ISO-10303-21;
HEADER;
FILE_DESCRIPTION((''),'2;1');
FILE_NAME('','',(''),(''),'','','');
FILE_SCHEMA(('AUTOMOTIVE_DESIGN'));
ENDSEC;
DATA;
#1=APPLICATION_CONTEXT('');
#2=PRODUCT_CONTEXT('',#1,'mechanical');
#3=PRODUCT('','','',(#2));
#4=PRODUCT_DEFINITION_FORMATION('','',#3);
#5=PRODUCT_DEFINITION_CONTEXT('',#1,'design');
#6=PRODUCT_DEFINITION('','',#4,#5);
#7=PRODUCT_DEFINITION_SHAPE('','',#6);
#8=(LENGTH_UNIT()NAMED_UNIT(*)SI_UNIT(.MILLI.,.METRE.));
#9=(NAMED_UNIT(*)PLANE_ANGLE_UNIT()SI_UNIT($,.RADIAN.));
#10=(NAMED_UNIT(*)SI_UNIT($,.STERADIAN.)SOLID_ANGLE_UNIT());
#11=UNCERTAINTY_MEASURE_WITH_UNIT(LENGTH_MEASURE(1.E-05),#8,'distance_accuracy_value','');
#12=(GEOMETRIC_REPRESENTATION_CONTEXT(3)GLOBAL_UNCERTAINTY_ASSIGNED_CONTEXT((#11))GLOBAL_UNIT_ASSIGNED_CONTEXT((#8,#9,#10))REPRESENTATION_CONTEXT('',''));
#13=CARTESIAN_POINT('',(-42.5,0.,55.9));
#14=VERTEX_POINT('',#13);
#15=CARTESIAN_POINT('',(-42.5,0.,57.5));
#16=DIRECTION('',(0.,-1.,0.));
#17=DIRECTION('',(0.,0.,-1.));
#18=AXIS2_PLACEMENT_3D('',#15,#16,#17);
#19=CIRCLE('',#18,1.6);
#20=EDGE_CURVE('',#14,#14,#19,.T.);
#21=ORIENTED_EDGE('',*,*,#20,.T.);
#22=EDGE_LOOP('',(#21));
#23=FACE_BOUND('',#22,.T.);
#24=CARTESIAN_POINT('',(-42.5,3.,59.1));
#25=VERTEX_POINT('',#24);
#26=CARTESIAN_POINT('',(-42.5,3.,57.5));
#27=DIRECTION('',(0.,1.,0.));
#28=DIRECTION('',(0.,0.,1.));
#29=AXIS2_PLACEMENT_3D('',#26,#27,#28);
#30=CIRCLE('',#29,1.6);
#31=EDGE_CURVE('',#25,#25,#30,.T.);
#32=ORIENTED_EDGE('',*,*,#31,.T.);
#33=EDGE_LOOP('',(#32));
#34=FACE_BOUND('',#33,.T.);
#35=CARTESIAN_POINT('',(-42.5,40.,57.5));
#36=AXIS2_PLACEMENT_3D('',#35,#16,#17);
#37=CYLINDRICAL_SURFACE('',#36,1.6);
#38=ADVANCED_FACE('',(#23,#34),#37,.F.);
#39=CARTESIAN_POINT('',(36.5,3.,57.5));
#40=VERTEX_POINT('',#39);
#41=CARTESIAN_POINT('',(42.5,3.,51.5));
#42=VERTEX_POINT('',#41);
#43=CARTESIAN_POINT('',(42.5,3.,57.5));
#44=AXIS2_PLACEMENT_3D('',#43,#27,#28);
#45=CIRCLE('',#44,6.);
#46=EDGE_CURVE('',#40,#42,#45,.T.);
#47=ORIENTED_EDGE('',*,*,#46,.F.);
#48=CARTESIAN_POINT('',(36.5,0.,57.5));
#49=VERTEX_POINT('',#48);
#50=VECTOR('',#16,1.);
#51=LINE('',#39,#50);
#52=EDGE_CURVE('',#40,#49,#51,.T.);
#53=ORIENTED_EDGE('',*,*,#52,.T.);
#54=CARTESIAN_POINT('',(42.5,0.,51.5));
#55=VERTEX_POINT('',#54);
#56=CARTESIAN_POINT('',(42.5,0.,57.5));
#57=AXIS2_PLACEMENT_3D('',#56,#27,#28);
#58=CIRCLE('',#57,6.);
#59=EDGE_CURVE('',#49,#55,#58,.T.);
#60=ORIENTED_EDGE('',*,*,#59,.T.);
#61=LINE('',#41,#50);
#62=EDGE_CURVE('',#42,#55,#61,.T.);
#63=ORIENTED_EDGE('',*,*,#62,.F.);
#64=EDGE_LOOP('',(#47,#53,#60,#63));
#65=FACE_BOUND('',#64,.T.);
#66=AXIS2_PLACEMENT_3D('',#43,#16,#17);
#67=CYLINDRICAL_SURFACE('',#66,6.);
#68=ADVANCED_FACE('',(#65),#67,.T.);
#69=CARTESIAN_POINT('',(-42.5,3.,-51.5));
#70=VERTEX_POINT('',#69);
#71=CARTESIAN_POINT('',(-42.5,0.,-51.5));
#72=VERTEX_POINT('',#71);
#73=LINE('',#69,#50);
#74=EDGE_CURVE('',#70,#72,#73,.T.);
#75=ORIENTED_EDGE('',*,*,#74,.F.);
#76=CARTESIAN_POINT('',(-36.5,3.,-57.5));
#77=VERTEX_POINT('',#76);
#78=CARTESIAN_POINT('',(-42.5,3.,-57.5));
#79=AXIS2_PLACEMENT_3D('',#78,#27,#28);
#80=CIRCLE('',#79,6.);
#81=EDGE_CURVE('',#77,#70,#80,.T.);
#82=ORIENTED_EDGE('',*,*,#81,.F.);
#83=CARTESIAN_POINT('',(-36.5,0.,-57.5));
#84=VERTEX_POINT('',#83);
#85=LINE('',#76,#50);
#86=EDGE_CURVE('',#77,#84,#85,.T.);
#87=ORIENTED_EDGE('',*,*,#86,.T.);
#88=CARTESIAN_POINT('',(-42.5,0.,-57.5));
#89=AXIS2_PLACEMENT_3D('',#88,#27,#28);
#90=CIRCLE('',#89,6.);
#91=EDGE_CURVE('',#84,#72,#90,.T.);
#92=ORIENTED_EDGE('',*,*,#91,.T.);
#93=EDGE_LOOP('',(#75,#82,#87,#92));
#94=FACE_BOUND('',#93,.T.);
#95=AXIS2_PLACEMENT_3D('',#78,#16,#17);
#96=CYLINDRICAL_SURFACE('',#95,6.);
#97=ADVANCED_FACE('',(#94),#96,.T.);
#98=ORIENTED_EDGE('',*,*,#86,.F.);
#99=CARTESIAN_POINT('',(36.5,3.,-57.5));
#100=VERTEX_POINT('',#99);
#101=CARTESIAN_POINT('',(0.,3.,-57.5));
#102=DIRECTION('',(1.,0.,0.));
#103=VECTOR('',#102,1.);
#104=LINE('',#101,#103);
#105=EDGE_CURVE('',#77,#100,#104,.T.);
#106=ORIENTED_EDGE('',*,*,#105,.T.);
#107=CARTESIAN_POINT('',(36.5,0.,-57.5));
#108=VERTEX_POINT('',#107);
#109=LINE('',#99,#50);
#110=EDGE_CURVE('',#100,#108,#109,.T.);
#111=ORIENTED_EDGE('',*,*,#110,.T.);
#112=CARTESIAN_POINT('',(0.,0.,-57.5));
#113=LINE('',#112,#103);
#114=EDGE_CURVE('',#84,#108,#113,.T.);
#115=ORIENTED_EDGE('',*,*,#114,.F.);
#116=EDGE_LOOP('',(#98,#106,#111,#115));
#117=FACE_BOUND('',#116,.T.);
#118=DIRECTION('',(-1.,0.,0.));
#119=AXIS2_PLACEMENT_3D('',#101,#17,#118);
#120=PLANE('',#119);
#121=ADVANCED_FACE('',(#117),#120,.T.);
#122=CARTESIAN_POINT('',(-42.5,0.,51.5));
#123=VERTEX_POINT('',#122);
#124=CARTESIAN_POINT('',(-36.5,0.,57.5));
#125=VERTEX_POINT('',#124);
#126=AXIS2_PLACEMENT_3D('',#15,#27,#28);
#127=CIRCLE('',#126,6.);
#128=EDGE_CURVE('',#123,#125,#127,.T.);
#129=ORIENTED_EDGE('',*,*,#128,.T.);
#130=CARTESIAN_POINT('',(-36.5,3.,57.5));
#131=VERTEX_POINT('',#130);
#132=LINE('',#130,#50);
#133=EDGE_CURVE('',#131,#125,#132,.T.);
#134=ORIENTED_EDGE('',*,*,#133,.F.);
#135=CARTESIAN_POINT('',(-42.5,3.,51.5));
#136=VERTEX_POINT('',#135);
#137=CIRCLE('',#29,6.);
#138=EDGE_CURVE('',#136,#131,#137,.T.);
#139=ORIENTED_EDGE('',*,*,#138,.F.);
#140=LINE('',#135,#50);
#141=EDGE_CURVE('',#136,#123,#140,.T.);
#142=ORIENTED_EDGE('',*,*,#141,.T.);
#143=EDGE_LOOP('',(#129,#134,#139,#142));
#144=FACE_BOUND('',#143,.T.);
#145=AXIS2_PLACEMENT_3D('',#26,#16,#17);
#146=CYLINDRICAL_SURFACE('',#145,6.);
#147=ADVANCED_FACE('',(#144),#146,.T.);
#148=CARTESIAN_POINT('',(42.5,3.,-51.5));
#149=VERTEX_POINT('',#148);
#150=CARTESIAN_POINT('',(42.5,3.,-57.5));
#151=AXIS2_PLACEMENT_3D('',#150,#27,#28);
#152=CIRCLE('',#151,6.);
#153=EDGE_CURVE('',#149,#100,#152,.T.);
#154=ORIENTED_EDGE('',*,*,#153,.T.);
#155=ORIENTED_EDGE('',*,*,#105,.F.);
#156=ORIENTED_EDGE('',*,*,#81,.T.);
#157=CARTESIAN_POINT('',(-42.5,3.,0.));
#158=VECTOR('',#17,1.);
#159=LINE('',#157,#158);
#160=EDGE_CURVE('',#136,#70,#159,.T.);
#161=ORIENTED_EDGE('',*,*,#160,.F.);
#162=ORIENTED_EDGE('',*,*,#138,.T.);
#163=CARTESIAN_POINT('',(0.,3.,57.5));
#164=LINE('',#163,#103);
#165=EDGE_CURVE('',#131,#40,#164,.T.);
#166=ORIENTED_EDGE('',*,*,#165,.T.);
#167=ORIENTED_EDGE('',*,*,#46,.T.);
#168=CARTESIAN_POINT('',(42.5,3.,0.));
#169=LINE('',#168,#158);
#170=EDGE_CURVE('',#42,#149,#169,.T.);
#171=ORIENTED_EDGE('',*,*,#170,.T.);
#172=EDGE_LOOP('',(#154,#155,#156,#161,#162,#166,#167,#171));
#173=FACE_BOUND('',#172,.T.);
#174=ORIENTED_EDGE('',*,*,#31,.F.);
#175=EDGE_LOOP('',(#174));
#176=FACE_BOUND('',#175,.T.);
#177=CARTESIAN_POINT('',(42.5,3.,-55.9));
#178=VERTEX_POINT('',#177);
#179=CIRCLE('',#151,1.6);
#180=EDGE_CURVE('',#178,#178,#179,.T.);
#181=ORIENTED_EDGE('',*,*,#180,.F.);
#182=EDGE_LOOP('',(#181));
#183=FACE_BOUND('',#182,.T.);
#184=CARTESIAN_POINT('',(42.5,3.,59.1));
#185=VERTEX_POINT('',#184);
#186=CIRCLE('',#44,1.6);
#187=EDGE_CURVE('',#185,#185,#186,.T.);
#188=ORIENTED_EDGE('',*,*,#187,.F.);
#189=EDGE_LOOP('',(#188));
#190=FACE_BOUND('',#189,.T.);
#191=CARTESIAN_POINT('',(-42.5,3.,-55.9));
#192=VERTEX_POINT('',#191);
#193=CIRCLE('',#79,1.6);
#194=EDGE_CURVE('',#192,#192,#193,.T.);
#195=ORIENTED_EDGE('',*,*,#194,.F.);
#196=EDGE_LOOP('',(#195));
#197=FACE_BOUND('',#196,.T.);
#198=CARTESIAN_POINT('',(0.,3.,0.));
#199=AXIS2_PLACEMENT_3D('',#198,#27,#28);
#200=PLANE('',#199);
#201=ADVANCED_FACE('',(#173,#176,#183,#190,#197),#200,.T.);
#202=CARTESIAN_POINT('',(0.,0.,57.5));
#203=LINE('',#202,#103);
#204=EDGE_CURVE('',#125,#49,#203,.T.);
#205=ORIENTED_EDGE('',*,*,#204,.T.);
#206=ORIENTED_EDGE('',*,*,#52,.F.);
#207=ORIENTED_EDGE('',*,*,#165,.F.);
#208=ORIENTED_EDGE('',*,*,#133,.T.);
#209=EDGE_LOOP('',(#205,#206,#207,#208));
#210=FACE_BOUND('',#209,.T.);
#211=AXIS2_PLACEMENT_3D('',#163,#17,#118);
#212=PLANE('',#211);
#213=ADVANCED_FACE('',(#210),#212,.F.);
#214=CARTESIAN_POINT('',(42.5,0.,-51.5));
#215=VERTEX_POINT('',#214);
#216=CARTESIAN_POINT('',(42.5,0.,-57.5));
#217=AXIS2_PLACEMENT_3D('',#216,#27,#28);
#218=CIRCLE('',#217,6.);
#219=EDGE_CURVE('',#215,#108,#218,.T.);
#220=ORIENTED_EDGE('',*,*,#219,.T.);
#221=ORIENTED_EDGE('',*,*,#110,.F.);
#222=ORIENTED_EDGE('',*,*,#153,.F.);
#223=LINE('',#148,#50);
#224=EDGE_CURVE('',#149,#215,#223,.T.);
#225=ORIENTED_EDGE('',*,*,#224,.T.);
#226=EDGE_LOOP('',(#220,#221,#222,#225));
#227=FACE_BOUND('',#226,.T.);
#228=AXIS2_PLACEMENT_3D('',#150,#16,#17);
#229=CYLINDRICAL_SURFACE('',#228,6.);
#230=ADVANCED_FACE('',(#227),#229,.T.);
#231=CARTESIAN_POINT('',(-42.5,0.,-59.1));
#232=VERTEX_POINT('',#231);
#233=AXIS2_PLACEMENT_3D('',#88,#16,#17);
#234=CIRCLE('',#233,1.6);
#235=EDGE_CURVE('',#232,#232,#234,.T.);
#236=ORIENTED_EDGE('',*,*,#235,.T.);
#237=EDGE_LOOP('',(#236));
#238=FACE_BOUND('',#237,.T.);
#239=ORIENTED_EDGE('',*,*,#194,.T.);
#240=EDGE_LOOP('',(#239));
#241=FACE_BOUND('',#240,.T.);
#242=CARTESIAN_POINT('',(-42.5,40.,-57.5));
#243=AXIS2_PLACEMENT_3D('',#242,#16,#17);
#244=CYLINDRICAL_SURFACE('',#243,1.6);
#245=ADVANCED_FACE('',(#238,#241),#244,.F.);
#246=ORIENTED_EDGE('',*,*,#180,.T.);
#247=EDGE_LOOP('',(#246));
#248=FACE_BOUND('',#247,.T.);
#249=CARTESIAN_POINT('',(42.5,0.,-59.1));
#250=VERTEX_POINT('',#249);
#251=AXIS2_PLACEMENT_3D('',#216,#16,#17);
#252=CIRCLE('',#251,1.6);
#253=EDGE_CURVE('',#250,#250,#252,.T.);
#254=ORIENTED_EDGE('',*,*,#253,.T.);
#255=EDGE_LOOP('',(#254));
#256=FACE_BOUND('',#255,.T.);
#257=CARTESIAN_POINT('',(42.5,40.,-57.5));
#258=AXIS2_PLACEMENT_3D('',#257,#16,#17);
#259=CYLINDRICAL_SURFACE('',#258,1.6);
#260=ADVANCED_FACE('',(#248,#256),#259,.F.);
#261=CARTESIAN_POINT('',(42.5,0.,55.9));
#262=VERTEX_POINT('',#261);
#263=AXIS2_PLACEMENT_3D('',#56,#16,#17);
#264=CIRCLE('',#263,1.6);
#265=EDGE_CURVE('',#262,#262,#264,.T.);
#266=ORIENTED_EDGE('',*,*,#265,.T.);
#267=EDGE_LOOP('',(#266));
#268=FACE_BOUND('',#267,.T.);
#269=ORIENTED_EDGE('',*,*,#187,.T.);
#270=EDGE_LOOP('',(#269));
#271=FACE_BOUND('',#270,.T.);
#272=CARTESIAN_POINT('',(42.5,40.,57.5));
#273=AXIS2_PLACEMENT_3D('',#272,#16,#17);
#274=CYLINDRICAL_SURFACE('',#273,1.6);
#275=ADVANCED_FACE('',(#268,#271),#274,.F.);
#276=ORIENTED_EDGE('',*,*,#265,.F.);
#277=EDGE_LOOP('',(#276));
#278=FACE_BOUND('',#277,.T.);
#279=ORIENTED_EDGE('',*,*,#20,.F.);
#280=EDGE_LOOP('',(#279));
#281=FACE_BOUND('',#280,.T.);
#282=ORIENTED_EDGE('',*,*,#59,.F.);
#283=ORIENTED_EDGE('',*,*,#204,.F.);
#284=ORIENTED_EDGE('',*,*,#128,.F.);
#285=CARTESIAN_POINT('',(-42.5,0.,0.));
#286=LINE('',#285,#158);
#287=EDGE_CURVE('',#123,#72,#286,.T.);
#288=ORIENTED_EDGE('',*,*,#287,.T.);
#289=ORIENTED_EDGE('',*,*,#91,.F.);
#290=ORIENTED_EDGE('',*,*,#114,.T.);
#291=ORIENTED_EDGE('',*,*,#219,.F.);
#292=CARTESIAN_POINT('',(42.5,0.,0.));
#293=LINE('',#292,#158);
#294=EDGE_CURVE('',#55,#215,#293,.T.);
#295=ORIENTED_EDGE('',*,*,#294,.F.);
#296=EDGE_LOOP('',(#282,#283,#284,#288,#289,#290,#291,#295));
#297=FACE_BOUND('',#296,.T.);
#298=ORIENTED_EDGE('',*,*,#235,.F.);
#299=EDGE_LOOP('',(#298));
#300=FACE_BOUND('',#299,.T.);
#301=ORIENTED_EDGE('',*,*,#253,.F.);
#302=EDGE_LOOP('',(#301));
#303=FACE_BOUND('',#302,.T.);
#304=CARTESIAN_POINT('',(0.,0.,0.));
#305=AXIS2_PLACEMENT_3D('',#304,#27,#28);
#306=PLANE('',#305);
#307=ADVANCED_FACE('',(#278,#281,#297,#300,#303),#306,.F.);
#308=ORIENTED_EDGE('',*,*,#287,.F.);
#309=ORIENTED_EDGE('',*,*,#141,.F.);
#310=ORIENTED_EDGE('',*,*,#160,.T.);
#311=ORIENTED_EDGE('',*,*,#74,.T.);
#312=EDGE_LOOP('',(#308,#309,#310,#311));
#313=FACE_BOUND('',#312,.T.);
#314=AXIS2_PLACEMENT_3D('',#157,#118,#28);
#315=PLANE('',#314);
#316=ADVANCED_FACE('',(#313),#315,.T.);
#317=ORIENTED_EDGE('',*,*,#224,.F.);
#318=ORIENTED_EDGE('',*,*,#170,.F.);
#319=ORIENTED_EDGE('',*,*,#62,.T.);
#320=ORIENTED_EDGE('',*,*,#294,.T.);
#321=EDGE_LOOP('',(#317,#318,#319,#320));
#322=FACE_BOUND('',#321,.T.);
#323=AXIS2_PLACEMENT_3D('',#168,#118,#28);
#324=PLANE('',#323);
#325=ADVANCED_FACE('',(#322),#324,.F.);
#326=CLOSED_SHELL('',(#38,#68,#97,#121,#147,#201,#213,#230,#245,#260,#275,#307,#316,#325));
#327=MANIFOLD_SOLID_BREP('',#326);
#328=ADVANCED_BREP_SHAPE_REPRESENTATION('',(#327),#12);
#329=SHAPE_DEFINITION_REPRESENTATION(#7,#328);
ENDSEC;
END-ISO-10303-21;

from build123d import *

# Parameters (mm, degrees)
SKETCH1_W           = 85
SKETCH1_H           = 115
BOSS_EXTRUDE1_DEPTH = 3
SKETCH2_R           = 1.6
CUT_EXTRUDE1_DEPTH  = 40


with BuildPart() as part:
    # Sketch1 → Boss-Extrude1 (new body)
    with BuildSketch(Plane(origin=(0, 0, 0), x_dir=(1, 0, 0), z_dir=(0, 1, 0))):
        Rectangle(SKETCH1_W, SKETCH1_H)
        with BuildLine():
            Line((-36.5, -57.5), (-42.5, -57.5))
            Line((-42.5, -57.5), (-42.5, -51.5))
            ThreePointArc((-42.5, -51.5), (-46.742640687, -61.742640687), (-36.5, -57.5))
        make_face()
        with BuildLine():
            Line((42.5, -57.5), (36.5, -57.5))
            ThreePointArc((36.5, -57.5), (46.742640687, -61.742640687), (42.5, -51.5))
            Line((42.5, -51.5), (42.5, -57.5))
        make_face()
        with BuildLine():
            Line((42.5, 57.5), (42.5, 51.5))
            ThreePointArc((42.5, 51.5), (46.742640687, 61.742640687), (36.5, 57.5))
            Line((36.5, 57.5), (42.5, 57.5))
        make_face()
        with BuildLine():
            ThreePointArc((-36.5, 57.5), (-46.742640687, 61.742640687), (-42.5, 51.5))
            Line((-42.5, 51.5), (-42.5, 57.5))
            Line((-42.5, 57.5), (-36.5, 57.5))
        make_face()
    extrude(amount=BOSS_EXTRUDE1_DEPTH)

    # Sketch2 → Cut-Extrude1 (cut)
    with BuildSketch(Plane.XZ):
        with Locations((-42.5, 57.5)):
            Circle(SKETCH2_R)
        with Locations((42.5, 57.5)):
            Circle(SKETCH2_R)
        with Locations((42.5, -57.5)):
            Circle(SKETCH2_R)
        with Locations((-42.5, -57.5)):
            Circle(SKETCH2_R)
    extrude(amount=-CUT_EXTRUDE1_DEPTH, mode=Mode.SUBTRACT)


solid = part.part
